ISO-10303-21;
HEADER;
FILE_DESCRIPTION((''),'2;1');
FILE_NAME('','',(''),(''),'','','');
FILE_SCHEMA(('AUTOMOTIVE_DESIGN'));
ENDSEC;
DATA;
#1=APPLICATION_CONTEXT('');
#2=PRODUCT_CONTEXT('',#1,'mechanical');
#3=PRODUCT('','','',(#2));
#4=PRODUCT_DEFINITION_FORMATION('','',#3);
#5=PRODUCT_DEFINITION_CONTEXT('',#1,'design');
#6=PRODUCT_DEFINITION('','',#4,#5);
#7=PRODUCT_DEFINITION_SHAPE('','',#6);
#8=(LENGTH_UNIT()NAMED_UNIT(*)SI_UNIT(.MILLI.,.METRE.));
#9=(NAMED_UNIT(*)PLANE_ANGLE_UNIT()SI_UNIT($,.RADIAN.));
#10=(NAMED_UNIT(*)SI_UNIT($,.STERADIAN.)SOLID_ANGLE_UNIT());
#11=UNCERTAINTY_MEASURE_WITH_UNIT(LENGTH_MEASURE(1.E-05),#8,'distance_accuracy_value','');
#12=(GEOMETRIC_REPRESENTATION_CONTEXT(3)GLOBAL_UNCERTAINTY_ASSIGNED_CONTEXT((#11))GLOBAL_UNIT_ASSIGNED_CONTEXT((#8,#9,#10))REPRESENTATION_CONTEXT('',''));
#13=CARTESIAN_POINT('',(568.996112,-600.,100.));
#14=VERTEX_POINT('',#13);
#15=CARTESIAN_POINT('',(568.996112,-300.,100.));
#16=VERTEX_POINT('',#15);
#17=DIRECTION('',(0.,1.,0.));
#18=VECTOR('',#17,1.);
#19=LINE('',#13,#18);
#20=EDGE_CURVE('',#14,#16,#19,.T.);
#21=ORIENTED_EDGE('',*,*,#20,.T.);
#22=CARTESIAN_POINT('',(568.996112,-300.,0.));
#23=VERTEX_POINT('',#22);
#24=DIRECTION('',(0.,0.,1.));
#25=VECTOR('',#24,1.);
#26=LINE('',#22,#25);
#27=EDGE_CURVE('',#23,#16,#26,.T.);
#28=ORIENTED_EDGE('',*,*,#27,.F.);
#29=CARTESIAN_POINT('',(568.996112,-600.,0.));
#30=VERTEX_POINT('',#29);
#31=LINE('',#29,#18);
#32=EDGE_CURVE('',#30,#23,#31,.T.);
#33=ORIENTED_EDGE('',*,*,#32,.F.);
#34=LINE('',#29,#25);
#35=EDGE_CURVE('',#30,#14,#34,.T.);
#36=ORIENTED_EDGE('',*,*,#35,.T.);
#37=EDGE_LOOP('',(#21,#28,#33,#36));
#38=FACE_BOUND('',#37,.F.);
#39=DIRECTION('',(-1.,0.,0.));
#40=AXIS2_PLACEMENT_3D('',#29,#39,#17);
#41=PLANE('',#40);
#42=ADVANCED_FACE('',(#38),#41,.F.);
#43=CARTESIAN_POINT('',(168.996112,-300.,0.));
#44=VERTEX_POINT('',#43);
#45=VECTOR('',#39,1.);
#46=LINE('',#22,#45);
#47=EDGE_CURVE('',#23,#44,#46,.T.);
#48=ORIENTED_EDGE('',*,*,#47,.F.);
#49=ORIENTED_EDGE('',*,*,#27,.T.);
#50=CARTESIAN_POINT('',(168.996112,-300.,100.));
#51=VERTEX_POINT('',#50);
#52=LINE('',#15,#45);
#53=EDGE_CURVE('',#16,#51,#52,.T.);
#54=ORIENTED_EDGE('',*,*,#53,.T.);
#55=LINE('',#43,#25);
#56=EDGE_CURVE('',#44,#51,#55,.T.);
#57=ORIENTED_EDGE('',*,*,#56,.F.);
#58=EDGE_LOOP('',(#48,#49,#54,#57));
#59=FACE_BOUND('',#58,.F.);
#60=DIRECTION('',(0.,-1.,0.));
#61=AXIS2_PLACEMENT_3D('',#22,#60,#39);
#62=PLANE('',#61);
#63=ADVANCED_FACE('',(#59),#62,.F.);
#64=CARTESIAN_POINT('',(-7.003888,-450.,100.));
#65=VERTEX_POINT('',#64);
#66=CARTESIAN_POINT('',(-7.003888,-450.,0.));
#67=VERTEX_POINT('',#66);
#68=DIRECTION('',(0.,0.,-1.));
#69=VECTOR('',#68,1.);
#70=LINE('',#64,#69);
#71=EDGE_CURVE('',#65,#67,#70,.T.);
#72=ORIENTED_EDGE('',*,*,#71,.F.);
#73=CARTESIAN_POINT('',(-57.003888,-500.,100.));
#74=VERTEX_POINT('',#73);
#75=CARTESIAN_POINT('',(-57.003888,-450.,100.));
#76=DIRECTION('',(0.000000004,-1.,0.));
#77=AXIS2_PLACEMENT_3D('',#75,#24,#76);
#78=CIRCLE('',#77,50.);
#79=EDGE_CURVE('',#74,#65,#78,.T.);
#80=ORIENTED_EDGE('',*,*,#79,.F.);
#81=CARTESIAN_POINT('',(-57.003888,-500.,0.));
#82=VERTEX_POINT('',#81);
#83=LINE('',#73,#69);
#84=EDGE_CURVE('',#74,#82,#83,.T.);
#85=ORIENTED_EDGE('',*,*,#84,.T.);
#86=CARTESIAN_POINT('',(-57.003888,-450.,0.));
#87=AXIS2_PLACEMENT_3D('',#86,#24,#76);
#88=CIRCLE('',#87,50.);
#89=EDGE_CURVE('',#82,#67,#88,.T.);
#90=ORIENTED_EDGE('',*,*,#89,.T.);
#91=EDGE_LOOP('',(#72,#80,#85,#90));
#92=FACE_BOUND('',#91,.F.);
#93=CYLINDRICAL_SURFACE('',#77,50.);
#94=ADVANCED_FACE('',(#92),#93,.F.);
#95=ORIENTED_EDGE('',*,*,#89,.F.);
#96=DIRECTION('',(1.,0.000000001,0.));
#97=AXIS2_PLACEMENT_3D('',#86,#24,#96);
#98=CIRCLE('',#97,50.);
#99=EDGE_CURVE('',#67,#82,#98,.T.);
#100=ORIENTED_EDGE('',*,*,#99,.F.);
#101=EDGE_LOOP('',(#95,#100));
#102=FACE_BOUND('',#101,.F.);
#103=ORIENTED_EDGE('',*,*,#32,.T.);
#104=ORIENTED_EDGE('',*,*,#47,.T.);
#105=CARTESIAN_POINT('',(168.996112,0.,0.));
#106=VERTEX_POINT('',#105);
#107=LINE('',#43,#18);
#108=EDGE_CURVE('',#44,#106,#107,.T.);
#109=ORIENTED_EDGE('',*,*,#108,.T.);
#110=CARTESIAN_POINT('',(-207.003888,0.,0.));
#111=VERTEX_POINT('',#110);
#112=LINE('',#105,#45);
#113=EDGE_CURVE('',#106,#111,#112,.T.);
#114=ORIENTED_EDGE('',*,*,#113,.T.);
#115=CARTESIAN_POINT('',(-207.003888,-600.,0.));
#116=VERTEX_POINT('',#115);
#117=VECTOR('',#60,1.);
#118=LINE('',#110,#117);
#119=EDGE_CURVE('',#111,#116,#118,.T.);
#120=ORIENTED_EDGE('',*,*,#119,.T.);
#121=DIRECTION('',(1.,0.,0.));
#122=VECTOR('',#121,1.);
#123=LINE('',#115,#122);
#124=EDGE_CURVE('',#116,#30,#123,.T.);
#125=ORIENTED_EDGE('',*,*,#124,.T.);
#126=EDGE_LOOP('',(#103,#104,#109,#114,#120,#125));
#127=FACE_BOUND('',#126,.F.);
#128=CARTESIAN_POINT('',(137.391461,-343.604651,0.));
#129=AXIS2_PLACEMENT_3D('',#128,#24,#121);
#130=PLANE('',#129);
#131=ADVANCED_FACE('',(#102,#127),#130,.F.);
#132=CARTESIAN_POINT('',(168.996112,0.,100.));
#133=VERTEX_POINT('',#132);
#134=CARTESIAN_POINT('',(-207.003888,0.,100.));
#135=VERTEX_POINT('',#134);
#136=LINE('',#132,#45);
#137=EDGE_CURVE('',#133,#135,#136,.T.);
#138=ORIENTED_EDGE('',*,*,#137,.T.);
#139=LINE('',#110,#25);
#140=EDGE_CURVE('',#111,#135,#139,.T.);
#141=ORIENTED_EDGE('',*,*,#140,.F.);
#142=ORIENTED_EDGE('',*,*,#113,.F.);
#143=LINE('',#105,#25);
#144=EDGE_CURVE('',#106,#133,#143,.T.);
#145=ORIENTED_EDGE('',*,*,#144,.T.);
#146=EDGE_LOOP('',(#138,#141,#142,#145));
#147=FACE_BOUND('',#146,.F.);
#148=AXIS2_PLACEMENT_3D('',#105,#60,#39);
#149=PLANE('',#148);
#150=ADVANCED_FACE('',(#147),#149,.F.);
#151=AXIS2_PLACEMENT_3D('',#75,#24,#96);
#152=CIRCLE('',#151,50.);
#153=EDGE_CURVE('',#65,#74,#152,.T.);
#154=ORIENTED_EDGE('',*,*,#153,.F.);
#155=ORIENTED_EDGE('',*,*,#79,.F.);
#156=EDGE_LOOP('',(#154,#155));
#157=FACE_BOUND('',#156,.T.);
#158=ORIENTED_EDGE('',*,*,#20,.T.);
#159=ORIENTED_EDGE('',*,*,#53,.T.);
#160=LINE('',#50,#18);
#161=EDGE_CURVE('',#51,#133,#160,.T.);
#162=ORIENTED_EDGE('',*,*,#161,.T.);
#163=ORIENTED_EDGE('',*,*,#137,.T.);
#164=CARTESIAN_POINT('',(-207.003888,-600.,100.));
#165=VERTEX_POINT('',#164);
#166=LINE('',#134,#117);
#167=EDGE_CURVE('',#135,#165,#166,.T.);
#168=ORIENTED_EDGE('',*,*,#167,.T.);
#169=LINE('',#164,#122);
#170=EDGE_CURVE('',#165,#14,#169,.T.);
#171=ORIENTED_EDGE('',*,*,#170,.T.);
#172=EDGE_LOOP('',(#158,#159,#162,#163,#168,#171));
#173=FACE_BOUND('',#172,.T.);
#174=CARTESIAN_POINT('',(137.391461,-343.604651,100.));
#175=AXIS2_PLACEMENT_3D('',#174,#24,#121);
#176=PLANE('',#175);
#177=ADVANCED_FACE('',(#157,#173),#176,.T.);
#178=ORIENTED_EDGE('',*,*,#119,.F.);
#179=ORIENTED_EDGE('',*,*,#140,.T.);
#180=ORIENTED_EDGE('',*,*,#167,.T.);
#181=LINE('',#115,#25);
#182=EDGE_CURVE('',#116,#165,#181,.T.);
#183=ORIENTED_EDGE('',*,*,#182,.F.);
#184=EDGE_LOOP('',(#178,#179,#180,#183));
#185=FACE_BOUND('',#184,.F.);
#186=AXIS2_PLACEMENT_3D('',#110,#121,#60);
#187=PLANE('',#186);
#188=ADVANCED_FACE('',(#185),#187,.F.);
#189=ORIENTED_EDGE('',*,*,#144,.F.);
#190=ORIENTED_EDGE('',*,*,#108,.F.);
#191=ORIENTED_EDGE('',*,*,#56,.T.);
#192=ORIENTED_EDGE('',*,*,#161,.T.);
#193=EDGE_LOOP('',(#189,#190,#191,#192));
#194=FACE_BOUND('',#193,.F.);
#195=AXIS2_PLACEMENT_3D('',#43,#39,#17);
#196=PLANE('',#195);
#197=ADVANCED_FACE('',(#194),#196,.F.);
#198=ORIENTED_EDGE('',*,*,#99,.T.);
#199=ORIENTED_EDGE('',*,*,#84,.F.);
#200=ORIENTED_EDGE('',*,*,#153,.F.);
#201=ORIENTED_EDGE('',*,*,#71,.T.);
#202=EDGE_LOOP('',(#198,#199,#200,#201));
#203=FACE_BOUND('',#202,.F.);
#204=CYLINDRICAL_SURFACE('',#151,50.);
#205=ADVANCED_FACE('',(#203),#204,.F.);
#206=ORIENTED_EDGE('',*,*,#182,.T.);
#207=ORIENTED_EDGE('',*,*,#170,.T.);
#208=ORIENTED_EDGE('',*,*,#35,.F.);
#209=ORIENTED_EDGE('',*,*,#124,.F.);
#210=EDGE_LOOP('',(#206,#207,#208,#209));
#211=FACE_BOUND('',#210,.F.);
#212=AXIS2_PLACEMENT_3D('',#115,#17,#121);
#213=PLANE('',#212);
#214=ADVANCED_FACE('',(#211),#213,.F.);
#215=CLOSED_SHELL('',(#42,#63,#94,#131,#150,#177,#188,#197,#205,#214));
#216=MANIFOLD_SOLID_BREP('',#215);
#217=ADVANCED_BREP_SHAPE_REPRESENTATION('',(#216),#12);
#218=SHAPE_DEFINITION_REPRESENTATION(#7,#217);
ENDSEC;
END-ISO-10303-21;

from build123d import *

# Parameters (mm, degrees)
F1_DEPTH = 100
F3_DEPTH = 220.98


with BuildPart() as f1:
    # F0 (on Top) → F1 (new body)
    with BuildSketch(Plane.XY):
        Polygon((168.996112, -300), (168.996112, 0), (-207.003888, 0), (-207.003888, -600), (568.996112, -600), (568.996112, -300), align=None)
    extrude(amount=F1_DEPTH)

    # F2 (on face) → F3 (cut)
    with BuildSketch(Plane.XY.offset(100)):
        with BuildLine():
            ThreePointArc((-7.003888, -450), (-92.359227, -414.644661), (-57.003888, -500))
            ThreePointArc((-57.003888, -500), (-21.648549, -485.355339), (-7.003888, -450))
        make_face()
    extrude(amount=-F3_DEPTH, mode=Mode.SUBTRACT)


solid = f1.part
